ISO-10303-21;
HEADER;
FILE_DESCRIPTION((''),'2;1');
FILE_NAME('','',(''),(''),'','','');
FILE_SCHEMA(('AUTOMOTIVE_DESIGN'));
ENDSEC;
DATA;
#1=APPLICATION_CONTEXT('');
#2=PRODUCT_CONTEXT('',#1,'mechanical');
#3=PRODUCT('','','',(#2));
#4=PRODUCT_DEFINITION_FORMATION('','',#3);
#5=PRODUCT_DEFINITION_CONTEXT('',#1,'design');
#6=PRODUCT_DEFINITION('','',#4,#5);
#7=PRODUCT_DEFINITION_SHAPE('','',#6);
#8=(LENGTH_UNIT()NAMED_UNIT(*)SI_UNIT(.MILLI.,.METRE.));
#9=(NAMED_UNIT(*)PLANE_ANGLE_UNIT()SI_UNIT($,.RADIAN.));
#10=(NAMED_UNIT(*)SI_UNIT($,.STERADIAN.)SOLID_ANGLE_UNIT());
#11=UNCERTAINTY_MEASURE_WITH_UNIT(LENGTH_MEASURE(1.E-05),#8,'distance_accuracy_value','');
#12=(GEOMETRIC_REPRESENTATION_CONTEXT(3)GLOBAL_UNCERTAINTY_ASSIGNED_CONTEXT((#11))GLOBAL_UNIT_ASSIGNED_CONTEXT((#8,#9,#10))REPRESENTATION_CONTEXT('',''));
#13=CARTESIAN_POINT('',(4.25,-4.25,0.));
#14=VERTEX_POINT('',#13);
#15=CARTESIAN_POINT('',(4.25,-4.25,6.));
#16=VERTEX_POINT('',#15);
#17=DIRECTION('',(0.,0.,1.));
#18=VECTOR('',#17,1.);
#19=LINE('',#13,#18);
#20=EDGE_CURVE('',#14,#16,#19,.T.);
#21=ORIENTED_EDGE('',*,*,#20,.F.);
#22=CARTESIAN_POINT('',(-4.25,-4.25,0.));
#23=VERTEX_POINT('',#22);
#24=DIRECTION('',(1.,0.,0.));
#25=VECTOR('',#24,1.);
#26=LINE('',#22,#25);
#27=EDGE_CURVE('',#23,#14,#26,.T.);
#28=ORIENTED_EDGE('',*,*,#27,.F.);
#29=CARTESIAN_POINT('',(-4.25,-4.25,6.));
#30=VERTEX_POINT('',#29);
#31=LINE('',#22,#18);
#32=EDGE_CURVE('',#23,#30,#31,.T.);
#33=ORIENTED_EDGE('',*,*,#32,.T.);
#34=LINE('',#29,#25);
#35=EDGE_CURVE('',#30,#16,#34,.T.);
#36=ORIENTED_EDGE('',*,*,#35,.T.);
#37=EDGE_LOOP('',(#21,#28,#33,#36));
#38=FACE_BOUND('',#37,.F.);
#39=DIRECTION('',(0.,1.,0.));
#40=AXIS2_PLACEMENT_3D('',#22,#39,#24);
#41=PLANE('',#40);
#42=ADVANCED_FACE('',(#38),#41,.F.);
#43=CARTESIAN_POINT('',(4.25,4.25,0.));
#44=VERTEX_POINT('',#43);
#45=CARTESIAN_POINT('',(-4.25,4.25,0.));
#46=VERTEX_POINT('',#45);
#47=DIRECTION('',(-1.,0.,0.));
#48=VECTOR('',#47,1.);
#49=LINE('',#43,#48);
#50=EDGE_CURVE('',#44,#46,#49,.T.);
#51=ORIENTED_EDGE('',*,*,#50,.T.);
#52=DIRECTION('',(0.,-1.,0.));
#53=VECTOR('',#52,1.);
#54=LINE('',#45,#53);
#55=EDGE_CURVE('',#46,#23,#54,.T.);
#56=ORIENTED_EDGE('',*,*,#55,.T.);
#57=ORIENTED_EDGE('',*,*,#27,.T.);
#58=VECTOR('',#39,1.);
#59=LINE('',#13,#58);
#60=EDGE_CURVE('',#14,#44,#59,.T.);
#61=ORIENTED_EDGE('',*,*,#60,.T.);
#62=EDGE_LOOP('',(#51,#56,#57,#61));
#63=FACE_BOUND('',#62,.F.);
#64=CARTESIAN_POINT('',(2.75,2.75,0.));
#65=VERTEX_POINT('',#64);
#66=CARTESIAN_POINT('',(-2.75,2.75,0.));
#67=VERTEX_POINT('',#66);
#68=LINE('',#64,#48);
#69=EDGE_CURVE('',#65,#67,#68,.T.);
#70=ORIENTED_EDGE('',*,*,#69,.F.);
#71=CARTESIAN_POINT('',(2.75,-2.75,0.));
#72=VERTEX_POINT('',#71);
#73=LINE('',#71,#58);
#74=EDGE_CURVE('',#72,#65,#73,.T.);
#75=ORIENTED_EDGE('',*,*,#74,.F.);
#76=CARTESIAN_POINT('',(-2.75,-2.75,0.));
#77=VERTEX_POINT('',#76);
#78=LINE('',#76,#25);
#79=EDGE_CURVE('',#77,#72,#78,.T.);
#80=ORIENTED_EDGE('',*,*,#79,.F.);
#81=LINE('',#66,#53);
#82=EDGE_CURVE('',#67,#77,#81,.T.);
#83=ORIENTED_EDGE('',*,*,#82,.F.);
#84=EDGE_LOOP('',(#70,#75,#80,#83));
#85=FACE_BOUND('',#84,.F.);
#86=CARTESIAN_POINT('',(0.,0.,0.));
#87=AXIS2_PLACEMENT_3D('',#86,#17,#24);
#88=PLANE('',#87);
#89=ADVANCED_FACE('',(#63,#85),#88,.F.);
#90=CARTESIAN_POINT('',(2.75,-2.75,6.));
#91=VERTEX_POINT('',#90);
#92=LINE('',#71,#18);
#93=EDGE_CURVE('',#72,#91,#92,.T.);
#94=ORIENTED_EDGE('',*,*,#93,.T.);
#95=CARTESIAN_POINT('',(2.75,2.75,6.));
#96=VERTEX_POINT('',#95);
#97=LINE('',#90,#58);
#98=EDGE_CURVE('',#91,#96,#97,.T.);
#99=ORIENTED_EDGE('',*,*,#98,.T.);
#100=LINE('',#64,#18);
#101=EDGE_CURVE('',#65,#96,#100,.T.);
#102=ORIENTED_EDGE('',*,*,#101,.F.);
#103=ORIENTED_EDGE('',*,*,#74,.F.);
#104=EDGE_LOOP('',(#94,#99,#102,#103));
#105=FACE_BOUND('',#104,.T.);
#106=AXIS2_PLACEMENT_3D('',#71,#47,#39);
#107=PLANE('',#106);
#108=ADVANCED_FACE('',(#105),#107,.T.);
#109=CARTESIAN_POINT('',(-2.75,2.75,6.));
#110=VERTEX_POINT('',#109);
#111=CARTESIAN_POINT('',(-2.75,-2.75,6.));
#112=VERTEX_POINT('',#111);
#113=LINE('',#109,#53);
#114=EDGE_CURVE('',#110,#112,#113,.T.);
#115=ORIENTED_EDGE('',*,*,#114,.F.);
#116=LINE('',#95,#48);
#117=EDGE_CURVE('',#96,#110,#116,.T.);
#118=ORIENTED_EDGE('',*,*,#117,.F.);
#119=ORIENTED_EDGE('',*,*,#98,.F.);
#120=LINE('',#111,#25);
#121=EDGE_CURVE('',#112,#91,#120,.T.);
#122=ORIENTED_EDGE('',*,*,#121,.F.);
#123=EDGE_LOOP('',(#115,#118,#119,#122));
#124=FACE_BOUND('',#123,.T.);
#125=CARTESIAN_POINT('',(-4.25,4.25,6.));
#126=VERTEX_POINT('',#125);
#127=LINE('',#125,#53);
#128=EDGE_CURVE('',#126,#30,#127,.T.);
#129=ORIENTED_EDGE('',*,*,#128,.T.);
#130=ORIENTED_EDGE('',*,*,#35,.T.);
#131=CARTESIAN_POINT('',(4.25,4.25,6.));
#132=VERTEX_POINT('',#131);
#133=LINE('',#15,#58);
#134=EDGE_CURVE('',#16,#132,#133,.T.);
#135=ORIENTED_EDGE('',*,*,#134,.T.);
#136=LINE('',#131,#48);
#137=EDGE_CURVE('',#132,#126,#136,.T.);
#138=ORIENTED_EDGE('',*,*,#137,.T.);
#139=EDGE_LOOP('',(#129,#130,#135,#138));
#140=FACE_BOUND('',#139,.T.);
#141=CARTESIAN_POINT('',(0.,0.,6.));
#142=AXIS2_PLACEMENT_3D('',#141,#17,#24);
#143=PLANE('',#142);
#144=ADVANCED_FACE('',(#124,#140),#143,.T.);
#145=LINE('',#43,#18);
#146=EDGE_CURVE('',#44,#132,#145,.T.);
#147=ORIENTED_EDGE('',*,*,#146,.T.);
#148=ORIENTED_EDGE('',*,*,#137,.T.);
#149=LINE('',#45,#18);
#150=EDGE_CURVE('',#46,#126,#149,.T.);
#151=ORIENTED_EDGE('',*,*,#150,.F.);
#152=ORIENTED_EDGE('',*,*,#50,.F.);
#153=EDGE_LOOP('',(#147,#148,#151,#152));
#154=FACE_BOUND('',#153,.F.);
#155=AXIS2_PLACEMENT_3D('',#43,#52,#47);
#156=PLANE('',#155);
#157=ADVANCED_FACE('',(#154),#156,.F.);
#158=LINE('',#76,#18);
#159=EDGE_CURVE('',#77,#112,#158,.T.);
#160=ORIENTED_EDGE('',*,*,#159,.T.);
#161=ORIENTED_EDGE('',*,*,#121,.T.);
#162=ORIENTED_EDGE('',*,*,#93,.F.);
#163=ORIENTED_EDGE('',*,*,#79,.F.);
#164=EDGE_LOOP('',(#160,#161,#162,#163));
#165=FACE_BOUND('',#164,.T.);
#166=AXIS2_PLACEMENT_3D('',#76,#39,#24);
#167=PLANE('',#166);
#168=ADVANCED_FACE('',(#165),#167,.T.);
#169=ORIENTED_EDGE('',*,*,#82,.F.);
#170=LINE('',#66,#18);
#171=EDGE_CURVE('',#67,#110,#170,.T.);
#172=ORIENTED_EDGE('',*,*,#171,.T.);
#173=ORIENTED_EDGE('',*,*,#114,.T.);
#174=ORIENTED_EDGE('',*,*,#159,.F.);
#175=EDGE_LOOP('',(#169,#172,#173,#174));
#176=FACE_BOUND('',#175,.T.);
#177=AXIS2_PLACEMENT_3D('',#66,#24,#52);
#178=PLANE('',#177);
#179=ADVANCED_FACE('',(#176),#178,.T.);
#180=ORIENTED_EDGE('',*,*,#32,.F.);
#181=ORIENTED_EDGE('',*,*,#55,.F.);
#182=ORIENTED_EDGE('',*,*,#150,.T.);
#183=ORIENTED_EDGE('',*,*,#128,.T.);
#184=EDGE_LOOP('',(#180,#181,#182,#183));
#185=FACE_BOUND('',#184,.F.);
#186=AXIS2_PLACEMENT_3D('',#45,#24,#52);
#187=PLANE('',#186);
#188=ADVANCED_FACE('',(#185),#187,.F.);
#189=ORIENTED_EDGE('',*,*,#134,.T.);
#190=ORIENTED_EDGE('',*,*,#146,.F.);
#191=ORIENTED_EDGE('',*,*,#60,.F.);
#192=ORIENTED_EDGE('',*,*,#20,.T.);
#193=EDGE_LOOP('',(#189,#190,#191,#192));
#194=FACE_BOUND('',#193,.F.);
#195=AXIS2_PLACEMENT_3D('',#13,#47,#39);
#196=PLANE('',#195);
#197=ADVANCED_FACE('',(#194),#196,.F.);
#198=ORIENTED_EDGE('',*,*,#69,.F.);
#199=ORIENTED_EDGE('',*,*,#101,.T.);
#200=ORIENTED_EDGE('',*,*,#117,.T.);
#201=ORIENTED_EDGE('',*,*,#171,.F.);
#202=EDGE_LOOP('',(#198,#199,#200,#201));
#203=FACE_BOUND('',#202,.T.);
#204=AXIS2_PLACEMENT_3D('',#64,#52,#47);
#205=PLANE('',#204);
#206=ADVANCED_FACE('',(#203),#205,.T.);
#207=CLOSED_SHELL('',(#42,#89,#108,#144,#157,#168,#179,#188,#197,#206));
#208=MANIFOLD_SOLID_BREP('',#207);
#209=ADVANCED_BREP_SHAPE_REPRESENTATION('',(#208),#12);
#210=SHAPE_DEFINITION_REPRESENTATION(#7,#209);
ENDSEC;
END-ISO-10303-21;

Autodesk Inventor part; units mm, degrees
ref_plane "YZ Plane" through (0, 0, 0) normal (1, 0, 0) x (0, 1, 0)
ref_plane "XZ Plane" through (0, 0, 0) normal (0, 1, 0) x (-1, 0, 0)
ref_plane "XY Plane" through (0, 0, 0) normal (0, 0, 1) x (1, 0, 0)
sketch "Sketch1" plane through (0, 0, 0) normal (0, 0, 1) x (1, 0, 0)
  line L0 (-2.75, -2.75) -> (2.75, -2.75)
  line L1 (2.75, -2.75) -> (2.75, 2.75)
  line L2 (2.75, 2.75) -> (-2.75, 2.75)
  line L3 (-2.75, 2.75) -> (-2.75, -2.75)
  line L4 (-2.75, -2.75) -> (2.75, 2.75) construction
  line L5 (2.75, -2.75) -> (-2.75, 2.75) construction
  line L6 (-4.25, -4.25) -> (4.25, -4.25)
  line L7 (4.25, -4.25) -> (4.25, 4.25)
  line L8 (4.25, 4.25) -> (-4.25, 4.25)
  line L9 (-4.25, 4.25) -> (-4.25, -4.25)
  line L10 (-4.25, -4.25) -> (4.25, 4.25) construction
  line L11 (4.25, -4.25) -> (-4.25, 4.25) construction
  point P0 (0, 0)
  dimension "d0" = 5.5
  dimension "d1" = 5.5
  dimension "d2" = 8.5
  dimension "d3" = 8.5
extrude "Extrusion1" add sketch "Sketch1" along normal blind 6
properties part number "Base"
